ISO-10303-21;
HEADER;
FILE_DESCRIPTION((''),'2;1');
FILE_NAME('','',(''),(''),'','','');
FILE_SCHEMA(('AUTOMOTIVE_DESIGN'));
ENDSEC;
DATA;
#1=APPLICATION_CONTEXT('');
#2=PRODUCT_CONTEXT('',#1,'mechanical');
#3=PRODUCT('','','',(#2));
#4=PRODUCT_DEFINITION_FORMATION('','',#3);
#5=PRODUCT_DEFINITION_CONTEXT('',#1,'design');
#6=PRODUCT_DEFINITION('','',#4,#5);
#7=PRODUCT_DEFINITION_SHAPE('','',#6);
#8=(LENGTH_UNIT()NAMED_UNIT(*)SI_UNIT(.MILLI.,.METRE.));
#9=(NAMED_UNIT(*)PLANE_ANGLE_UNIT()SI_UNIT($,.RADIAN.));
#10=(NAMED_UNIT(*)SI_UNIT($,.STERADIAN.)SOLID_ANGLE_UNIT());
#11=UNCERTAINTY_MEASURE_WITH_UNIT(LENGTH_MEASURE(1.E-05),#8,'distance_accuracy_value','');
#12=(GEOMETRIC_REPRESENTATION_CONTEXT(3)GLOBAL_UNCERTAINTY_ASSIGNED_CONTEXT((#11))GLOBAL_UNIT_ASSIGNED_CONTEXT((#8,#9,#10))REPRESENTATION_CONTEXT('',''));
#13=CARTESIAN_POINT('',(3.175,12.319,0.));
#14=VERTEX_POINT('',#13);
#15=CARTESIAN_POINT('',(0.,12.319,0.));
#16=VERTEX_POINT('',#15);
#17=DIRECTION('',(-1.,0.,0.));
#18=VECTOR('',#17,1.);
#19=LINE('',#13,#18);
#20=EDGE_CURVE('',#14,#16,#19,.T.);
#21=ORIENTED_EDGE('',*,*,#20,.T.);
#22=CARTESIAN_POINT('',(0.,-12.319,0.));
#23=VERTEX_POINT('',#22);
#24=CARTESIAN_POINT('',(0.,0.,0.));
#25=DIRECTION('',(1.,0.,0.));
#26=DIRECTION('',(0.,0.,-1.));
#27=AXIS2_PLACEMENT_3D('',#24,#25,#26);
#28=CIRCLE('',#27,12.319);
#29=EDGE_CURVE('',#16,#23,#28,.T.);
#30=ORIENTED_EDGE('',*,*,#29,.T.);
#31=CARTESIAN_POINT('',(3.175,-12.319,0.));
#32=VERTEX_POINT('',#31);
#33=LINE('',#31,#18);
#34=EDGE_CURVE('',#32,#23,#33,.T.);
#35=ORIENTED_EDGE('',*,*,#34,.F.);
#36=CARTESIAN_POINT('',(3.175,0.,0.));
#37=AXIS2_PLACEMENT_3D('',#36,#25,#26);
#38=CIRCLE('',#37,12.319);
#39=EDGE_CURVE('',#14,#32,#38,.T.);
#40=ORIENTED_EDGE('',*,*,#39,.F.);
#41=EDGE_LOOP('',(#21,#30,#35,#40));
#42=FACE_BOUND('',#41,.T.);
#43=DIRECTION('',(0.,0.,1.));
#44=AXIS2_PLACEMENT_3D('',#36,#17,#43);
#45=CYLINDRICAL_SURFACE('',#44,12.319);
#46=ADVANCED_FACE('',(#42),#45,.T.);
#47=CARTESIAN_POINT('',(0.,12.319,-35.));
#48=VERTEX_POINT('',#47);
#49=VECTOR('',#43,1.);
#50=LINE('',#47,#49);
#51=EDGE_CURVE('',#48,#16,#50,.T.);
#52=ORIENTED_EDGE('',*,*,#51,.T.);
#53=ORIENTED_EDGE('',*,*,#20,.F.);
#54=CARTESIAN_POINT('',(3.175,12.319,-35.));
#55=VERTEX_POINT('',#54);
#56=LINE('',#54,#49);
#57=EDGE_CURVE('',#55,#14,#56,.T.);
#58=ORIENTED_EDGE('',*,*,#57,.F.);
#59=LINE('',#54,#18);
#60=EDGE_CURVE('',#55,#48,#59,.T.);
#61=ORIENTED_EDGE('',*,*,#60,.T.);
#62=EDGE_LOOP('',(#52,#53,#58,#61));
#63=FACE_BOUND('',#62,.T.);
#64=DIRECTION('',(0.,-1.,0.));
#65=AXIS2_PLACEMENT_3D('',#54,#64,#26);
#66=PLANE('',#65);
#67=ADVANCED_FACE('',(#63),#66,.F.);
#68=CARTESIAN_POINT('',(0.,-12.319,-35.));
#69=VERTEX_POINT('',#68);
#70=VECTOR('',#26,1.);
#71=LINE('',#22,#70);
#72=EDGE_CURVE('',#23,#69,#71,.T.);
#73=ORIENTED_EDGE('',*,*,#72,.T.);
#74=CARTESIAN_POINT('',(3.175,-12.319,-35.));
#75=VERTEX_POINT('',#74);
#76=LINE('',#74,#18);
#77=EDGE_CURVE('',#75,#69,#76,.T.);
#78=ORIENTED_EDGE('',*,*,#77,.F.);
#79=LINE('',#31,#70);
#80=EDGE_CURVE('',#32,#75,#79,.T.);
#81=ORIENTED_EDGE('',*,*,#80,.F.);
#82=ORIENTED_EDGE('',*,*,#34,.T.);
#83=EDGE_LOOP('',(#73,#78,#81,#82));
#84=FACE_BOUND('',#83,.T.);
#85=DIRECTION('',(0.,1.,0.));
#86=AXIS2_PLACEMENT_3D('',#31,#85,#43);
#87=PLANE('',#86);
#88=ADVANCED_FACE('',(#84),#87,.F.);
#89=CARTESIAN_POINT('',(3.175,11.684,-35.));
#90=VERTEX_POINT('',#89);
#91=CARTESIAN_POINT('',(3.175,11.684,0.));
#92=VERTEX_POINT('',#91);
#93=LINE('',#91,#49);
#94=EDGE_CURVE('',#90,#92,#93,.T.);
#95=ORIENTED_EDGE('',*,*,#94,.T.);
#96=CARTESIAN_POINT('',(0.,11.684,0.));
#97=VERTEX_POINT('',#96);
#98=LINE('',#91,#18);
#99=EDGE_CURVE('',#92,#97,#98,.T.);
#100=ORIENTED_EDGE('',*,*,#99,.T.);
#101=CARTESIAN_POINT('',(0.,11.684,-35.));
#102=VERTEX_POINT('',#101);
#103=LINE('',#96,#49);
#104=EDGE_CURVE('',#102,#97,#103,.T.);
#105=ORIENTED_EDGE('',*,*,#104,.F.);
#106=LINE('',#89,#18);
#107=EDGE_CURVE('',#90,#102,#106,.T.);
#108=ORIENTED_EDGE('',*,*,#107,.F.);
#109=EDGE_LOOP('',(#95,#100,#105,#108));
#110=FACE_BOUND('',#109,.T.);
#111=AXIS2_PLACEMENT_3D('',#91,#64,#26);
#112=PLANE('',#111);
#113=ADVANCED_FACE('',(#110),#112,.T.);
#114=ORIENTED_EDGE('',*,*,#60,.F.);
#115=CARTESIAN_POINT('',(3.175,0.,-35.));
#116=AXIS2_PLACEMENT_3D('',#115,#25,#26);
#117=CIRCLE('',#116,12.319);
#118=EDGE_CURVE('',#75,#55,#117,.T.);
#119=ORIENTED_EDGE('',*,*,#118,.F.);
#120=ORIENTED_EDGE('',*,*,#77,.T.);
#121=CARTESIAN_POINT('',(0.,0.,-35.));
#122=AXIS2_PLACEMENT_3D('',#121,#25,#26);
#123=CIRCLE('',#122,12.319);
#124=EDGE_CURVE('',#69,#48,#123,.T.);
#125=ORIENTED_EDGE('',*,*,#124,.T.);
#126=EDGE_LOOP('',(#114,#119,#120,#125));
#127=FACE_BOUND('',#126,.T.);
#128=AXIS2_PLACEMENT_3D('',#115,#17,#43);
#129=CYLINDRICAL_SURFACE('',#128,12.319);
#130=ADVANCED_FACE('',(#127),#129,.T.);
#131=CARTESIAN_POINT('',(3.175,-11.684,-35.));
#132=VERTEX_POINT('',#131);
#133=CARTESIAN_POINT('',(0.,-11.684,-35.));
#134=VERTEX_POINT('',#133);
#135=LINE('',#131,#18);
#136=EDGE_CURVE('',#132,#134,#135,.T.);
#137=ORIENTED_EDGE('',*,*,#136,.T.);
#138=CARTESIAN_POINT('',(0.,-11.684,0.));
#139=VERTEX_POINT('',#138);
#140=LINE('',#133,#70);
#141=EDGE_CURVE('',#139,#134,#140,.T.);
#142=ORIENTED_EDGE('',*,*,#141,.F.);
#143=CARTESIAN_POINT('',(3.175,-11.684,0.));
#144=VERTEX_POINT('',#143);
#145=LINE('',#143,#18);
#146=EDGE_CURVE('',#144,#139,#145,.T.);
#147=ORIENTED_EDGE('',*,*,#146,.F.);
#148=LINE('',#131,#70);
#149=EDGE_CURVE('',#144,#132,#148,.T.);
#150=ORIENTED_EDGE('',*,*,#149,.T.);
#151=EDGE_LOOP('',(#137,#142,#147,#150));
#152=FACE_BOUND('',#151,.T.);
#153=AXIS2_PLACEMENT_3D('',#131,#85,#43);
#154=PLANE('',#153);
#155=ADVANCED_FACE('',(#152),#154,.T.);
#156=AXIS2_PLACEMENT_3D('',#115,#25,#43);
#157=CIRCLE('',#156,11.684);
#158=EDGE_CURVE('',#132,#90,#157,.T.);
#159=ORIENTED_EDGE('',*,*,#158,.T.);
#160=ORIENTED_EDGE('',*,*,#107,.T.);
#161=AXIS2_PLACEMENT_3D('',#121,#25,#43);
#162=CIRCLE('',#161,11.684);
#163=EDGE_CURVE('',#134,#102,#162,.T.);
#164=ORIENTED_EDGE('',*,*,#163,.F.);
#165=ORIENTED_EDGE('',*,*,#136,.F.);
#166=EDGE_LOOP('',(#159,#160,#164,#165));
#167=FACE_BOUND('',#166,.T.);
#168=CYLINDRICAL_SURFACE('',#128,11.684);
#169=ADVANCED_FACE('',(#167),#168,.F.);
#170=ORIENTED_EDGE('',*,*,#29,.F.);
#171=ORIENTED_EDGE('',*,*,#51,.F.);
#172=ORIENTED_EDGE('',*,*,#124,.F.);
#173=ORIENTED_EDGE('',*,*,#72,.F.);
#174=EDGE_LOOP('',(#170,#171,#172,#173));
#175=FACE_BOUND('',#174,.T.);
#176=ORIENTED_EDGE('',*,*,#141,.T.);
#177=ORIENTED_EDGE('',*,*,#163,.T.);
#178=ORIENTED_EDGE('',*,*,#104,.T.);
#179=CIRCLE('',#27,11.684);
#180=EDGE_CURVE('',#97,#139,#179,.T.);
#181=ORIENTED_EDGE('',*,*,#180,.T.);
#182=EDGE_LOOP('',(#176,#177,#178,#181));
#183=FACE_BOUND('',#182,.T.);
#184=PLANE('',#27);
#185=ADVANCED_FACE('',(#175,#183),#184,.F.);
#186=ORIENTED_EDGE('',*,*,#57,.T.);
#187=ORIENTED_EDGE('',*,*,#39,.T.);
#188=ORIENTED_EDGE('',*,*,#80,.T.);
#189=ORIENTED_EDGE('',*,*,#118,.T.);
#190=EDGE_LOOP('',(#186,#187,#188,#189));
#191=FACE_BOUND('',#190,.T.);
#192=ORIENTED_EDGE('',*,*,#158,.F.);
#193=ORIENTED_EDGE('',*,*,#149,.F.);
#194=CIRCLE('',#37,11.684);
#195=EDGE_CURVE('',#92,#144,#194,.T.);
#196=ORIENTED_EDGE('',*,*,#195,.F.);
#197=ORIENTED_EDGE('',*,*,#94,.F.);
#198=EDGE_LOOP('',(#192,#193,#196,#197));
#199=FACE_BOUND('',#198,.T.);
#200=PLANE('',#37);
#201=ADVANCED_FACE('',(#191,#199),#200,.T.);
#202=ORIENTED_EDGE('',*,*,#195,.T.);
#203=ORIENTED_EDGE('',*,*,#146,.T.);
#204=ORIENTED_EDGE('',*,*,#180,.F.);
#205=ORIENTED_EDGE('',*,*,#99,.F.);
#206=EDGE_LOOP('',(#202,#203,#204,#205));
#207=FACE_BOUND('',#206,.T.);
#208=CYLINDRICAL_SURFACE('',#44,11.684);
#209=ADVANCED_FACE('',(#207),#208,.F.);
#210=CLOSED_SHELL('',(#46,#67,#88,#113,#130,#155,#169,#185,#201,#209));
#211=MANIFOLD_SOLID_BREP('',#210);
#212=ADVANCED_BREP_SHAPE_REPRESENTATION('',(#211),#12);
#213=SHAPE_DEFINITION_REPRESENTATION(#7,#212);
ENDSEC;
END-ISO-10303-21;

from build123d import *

# Parameters (mm, degrees)
BOSS_EXTRUDE1_DEPTH = 3.175


with BuildPart() as part:
    # Sketch1 → Boss-Extrude1 (new body)
    with BuildSketch(Plane(origin=(0, 0, 0), x_dir=(0, 0, -1), z_dir=(1, 0, 0))):
        with BuildLine():
            Line((0, -12.319), (35, -12.319))
            ThreePointArc((35, -12.319), (47.319, 0), (35, 12.319))
            Line((35, 12.319), (0, 12.319))
            ThreePointArc((0, 12.319), (-12.319, 0), (0, -12.319))
        make_face()
        with BuildLine():
            Line((0, 11.684), (35, 11.684))
            ThreePointArc((35, 11.684), (46.684, 0), (35, -11.684))
            Line((35, -11.684), (0, -11.684))
            ThreePointArc((0, -11.684), (-11.684, 0), (0, 11.684))
        make_face(mode=Mode.SUBTRACT)
    extrude(amount=BOSS_EXTRUDE1_DEPTH)


solid = part.part
